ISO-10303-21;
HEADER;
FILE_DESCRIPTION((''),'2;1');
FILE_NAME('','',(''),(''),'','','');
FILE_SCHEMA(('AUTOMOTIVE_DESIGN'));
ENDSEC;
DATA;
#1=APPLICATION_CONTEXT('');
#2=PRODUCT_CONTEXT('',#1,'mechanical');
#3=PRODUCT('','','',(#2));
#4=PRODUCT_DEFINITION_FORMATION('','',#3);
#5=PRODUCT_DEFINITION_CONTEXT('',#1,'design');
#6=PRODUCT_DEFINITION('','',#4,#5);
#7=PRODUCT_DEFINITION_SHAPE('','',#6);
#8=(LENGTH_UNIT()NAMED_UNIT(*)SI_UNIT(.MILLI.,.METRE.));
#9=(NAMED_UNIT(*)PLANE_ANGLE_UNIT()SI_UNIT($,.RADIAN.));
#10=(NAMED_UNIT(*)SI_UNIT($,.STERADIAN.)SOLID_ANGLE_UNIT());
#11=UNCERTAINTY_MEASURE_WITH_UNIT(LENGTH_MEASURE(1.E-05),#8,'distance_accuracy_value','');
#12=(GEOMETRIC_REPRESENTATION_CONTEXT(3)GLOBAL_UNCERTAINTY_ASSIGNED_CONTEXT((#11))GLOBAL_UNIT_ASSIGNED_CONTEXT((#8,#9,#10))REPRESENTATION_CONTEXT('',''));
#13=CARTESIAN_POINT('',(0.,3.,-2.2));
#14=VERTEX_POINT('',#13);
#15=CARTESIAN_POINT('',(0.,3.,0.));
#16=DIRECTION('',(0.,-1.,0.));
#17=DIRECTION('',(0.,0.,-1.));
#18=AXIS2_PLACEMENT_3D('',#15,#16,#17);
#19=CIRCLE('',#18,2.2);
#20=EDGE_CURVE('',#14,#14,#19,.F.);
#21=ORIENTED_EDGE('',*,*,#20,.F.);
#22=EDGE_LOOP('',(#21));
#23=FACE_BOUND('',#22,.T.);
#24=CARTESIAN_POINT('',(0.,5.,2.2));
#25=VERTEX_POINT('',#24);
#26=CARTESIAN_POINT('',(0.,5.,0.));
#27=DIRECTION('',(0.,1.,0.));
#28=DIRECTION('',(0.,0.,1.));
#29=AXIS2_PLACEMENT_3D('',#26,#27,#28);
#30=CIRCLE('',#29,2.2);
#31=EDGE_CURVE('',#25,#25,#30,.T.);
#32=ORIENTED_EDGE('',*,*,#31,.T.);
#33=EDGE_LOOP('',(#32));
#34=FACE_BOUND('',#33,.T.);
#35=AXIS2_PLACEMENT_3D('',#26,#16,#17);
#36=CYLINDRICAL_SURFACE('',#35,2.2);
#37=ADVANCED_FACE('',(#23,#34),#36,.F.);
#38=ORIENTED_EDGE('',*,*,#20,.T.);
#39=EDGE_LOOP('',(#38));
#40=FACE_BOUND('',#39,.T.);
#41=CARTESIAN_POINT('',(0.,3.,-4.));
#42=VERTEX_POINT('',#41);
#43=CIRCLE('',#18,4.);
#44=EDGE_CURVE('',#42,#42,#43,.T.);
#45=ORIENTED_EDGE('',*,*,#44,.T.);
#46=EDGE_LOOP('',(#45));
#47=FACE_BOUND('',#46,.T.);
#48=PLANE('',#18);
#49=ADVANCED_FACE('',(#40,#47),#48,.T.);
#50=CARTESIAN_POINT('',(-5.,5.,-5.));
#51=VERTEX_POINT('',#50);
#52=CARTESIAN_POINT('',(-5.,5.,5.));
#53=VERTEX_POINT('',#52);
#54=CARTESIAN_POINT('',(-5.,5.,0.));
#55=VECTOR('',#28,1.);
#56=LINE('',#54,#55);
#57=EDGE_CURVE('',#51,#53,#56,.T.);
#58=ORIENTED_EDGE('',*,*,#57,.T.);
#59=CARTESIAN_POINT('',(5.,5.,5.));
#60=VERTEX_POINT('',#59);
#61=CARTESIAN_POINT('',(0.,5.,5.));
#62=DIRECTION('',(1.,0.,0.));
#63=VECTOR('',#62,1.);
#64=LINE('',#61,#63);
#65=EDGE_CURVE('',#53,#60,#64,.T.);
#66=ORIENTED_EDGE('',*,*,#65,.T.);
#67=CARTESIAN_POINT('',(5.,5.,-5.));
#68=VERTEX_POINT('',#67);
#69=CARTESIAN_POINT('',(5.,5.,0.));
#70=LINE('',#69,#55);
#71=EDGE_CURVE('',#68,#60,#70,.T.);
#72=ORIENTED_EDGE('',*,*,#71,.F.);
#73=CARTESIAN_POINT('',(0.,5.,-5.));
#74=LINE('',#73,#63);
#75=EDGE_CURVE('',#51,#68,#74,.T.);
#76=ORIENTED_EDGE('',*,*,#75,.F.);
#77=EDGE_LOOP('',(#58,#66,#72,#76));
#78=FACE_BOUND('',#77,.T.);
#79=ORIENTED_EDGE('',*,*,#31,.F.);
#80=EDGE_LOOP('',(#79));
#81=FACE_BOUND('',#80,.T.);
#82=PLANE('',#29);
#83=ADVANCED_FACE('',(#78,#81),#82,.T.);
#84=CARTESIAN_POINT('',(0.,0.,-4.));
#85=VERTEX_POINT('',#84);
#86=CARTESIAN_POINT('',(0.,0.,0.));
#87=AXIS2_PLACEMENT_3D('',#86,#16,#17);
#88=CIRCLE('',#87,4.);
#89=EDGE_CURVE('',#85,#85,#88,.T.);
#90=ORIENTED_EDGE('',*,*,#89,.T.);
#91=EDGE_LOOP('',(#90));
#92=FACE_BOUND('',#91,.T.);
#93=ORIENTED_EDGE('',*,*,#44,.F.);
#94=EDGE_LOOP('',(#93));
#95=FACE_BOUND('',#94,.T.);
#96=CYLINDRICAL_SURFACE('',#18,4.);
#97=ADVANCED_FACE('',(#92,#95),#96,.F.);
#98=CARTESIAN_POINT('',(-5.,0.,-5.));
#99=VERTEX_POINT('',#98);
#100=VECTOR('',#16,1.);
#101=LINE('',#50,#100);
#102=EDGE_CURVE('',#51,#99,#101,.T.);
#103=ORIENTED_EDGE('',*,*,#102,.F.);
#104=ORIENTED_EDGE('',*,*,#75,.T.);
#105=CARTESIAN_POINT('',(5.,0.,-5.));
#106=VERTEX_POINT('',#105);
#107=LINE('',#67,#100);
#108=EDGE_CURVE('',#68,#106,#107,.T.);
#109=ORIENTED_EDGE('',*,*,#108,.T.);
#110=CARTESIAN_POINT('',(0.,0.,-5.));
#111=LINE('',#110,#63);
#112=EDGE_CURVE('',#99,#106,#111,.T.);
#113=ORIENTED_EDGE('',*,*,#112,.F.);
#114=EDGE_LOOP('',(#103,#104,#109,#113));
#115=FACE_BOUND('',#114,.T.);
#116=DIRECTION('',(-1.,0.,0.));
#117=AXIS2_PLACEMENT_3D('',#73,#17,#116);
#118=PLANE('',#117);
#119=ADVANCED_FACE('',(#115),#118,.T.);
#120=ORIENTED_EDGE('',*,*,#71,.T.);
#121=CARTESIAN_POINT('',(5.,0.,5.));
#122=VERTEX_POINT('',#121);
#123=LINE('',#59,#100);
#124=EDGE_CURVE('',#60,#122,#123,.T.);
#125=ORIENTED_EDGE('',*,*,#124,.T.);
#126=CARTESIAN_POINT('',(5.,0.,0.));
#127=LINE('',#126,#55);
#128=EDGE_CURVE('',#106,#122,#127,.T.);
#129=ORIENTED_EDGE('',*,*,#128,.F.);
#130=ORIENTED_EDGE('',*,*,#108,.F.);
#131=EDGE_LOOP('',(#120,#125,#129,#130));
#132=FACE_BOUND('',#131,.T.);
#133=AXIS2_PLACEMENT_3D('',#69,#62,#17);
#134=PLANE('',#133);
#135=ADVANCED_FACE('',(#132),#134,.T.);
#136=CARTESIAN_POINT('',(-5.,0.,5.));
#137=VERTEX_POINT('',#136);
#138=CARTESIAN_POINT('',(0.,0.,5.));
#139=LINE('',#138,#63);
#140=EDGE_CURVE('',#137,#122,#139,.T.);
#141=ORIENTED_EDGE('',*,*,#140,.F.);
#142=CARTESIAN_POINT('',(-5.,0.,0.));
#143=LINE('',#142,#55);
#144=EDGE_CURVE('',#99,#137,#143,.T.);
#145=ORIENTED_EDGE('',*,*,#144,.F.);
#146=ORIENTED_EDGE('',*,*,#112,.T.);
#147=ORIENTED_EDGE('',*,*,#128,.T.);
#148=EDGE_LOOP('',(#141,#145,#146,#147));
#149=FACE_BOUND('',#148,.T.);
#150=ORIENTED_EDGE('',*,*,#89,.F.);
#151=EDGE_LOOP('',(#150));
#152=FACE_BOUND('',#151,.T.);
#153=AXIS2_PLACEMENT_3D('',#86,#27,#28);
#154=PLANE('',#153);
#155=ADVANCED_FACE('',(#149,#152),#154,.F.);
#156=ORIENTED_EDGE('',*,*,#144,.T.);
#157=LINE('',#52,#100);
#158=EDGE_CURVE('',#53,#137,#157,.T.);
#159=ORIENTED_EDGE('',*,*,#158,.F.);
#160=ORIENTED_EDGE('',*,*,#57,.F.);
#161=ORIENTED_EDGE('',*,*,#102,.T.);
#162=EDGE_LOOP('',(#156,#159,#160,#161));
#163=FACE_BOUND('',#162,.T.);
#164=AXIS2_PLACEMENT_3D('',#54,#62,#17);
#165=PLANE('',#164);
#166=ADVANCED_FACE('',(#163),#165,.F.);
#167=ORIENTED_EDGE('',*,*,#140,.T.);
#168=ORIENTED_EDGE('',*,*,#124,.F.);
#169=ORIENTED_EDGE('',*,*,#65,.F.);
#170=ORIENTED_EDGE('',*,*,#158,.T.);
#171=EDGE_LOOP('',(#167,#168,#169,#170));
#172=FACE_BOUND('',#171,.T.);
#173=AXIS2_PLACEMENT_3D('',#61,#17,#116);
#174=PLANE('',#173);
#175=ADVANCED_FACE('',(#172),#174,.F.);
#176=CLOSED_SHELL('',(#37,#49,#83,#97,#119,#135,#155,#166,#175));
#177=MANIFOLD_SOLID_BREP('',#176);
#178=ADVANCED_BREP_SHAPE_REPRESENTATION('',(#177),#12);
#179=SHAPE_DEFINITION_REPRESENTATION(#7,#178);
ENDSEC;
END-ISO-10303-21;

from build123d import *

# Parameters (mm, degrees)
SKETCH1_W           = 10
SKETCH1_H           = 10
SKETCH1_R           = 4
SKETCH1_R_2         = 2.2
BOSS_EXTRUDE1_DEPTH = 5
SKETCH3_R           = 4
SKETCH3_R_2         = 2.2
CUT_EXTRUDE3_DEPTH  = 3


with BuildPart() as part:
    # Sketch1 → Boss-Extrude1 (new body)
    with BuildSketch(Plane(origin=(0, 0, 0), x_dir=(1, 0, 0), z_dir=(0, 1, 0))):
        Rectangle(SKETCH1_W, SKETCH1_H)
        Circle(SKETCH1_R, mode=Mode.SUBTRACT)
        Circle(SKETCH1_R)
        with Locations(Location((0, 0, 0), (0, 0, 270))):
            Circle(SKETCH1_R_2, mode=Mode.SUBTRACT)
    extrude(amount=BOSS_EXTRUDE1_DEPTH)

    # Sketch3 → Cut-Extrude3 (cut)
    with BuildSketch(Plane.XZ):
        with Locations(Location((0, 0, 0), (0, 0, 270))):
            Circle(SKETCH3_R)
        with Locations(Location((0, 0, 0), (0, 0, 270))):
            Circle(SKETCH3_R_2, mode=Mode.SUBTRACT)
    extrude(amount=-CUT_EXTRUDE3_DEPTH, mode=Mode.SUBTRACT)


solid = part.part
